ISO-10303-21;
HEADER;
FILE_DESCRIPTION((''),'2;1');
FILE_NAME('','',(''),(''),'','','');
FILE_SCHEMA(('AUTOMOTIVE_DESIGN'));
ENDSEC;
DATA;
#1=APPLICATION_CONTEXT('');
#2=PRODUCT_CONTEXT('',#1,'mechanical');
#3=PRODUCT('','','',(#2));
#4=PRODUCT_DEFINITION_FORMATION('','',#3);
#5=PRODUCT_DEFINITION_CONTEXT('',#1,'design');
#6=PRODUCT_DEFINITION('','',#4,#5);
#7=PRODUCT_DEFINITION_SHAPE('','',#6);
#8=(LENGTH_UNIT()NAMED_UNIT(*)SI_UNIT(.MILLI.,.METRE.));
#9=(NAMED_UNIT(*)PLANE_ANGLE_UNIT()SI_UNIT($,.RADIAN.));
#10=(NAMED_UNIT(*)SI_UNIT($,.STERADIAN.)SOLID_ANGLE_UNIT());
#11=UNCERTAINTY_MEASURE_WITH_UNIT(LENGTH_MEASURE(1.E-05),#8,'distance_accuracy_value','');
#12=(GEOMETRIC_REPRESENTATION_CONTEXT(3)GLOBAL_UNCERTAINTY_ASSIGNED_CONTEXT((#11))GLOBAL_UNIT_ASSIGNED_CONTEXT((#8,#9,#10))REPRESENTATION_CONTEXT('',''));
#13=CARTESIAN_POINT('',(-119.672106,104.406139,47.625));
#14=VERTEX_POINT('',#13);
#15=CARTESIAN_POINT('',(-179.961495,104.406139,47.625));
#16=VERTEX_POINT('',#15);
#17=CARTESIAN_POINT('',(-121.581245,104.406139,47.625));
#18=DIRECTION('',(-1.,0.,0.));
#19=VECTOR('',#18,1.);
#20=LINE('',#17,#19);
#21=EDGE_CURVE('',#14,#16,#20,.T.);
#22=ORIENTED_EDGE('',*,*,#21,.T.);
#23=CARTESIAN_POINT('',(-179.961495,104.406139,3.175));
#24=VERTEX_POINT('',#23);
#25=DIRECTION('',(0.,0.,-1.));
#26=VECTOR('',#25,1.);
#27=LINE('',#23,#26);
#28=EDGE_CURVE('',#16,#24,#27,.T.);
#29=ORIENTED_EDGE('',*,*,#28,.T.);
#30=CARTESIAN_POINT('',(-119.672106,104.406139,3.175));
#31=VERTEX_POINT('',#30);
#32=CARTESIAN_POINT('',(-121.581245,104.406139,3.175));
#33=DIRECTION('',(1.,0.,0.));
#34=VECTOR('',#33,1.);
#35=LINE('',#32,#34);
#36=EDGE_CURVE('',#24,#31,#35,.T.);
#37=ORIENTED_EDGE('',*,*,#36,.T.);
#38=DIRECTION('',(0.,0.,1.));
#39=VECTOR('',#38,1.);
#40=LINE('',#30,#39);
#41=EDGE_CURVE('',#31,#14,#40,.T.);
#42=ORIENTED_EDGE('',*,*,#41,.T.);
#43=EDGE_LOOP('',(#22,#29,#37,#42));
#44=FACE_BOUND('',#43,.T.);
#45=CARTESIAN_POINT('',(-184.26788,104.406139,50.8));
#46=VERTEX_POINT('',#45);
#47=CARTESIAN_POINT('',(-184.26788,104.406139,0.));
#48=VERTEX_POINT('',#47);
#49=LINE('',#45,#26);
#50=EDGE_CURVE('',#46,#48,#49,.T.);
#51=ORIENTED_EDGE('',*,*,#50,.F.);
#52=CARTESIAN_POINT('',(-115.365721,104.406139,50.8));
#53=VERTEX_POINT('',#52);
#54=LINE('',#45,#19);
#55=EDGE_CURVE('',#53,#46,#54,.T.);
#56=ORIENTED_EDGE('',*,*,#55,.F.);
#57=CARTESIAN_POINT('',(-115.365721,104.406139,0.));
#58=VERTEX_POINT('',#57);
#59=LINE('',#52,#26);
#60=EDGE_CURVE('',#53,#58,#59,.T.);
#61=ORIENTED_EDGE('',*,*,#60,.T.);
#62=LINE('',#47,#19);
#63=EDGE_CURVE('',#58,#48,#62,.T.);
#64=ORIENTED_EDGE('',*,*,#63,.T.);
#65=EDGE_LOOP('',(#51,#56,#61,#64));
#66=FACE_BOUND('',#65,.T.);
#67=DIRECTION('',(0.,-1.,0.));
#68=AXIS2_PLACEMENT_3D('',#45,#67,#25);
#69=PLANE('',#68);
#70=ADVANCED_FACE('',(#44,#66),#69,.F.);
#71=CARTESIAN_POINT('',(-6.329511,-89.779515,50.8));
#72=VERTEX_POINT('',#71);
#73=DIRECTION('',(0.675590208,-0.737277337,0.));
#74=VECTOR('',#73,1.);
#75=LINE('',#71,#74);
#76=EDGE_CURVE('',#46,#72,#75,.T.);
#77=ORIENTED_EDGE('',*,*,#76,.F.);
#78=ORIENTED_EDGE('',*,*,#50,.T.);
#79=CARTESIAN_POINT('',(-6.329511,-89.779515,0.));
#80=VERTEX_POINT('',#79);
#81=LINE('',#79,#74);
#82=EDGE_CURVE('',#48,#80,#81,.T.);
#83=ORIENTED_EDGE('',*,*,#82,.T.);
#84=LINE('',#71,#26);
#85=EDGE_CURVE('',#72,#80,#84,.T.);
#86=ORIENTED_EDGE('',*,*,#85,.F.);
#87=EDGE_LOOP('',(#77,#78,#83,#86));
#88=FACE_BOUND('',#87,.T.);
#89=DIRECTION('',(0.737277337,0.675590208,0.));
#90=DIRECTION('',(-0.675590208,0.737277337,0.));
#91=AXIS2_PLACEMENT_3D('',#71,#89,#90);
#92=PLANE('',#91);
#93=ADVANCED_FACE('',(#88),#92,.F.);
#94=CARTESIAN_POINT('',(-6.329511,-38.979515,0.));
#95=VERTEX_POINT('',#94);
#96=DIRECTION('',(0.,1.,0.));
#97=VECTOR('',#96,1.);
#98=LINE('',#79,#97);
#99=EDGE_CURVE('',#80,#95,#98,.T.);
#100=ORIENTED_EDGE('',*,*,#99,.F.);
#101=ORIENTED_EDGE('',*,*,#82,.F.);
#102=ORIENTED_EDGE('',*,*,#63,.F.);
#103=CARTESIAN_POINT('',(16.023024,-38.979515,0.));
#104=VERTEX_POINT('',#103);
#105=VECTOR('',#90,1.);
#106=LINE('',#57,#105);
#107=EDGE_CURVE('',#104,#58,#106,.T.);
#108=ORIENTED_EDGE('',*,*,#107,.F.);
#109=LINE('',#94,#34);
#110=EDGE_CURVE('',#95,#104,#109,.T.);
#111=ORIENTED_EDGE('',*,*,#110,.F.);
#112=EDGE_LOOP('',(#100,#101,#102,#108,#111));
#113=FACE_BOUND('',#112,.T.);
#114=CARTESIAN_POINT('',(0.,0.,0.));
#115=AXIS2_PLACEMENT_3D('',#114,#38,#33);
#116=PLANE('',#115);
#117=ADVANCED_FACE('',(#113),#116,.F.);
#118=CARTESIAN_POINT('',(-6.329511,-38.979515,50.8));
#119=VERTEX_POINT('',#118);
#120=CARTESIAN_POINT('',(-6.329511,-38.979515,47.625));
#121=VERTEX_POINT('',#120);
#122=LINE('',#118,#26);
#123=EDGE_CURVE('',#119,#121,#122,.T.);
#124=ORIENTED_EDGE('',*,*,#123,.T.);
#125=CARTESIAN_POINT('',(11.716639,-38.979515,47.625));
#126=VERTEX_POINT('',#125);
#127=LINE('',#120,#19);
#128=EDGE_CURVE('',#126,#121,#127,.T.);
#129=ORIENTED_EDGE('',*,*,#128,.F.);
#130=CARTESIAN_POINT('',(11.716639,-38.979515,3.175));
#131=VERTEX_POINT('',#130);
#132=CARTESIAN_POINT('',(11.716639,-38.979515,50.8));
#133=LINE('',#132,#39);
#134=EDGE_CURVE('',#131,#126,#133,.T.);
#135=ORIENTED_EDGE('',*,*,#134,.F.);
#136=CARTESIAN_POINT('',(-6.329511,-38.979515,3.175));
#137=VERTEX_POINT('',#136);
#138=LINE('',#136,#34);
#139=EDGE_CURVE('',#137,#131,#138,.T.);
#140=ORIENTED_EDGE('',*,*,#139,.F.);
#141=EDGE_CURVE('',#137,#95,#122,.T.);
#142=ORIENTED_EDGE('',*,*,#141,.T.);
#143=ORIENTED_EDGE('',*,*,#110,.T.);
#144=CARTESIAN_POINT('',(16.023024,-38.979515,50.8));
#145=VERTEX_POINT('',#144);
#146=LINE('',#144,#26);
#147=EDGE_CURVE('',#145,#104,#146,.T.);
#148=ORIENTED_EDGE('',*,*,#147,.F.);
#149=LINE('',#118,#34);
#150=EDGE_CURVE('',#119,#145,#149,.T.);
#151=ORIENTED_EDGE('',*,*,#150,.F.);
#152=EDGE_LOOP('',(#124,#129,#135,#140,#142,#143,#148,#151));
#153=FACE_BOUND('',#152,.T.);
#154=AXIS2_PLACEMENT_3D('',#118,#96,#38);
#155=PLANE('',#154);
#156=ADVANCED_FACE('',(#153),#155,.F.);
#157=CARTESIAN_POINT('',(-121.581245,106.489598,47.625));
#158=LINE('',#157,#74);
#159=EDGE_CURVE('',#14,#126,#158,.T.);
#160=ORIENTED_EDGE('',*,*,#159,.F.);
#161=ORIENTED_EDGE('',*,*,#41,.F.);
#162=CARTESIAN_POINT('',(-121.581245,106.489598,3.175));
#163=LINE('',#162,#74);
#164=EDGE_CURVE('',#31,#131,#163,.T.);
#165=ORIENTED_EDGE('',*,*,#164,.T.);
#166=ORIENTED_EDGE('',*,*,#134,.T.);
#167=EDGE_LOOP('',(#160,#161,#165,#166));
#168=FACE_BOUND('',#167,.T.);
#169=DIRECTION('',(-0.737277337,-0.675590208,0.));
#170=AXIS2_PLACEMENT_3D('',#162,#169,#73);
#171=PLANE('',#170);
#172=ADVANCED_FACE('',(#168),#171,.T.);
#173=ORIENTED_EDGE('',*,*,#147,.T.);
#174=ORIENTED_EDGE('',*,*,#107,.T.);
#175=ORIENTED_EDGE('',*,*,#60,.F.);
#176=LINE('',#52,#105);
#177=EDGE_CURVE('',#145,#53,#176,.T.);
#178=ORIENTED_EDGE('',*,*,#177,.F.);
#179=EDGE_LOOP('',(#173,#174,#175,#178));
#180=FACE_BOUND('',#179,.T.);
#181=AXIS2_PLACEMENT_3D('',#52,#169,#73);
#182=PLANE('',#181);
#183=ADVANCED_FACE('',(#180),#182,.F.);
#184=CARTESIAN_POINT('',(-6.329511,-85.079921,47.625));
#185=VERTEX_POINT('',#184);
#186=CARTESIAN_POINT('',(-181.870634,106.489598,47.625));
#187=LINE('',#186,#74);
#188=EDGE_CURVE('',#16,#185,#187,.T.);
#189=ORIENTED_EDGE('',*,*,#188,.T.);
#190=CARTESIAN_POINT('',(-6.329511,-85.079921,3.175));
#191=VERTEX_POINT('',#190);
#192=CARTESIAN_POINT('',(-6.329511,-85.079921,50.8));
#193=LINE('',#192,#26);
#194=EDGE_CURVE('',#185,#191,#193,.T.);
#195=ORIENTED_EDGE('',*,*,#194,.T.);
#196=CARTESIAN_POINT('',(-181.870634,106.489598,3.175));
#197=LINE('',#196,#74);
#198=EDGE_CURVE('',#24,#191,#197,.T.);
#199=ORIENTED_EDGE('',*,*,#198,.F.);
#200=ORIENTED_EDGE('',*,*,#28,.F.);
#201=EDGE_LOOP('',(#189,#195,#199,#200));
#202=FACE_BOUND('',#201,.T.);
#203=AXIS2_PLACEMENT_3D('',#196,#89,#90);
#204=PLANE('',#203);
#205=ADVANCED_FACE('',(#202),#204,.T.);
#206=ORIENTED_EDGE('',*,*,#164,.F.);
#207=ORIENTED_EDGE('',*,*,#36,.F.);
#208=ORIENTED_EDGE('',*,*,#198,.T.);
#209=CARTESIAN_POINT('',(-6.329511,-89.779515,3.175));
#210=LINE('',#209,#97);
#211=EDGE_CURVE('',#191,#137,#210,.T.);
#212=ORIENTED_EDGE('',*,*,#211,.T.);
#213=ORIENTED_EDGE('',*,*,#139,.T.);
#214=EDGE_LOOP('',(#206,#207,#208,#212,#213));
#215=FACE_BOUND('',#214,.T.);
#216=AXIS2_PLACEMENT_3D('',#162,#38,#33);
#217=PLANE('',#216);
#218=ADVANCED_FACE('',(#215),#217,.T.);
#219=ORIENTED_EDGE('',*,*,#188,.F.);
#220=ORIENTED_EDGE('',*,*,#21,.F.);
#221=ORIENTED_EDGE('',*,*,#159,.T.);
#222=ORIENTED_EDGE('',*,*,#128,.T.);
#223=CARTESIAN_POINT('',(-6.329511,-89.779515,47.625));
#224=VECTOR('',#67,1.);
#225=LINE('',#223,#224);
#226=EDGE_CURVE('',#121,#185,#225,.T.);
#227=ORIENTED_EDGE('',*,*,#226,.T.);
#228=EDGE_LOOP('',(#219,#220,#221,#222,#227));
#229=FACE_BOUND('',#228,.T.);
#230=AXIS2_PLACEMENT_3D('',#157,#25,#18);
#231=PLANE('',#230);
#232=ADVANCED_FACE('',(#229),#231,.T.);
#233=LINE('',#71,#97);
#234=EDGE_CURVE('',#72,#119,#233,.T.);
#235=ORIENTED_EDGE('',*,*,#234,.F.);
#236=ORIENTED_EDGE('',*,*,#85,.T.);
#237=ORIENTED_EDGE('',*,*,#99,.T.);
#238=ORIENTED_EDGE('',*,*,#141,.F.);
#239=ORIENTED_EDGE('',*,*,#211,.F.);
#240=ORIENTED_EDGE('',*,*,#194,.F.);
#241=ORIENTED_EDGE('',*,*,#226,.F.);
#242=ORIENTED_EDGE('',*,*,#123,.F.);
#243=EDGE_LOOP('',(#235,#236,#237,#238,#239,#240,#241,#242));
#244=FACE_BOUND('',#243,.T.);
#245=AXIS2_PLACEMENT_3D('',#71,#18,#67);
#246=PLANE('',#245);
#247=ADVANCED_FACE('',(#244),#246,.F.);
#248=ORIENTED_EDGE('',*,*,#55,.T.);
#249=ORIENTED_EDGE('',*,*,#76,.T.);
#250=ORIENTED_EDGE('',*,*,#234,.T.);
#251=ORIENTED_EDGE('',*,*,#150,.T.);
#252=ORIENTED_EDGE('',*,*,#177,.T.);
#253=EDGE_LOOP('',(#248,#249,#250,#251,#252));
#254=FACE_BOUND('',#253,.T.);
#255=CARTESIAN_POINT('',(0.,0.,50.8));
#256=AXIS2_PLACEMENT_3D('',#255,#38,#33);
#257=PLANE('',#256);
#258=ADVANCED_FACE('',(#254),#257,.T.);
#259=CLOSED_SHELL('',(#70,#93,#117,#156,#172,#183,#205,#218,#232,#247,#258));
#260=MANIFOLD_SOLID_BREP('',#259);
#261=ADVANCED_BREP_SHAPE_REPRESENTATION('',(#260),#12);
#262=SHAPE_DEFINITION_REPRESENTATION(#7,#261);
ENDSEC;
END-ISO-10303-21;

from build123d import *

# Parameters (mm, degrees)
BOSS_EXTRUDE1_DEPTH = 50.8
SKETCH14_W          = 60.289388783
SKETCH14_H          = 44.45


with BuildPart() as part:
    # Sketch1 → Boss-Extrude1 (new body)
    with BuildSketch(Plane.XY):
        Polygon((-6.329511048, -89.779515299), (-184.2678796, 104.406138968), (-115.365720991, 104.406138968), (16.023023921, -38.979515299), (-6.329511048, -38.979515299), align=None)
    extrude(amount=BOSS_EXTRUDE1_DEPTH)

    # Cut-Sweep1: sweep along a path in Sketch13
    with BuildLine(Plane.XY.offset(25.4)) as cut_sweep1_path:
        Line((-149.816800296, 104.406138968), (41.274977184, -104.133942279))
    # Sketch14 → Cut-Sweep1 (sweep, cut)
    with BuildSketch(Plane(origin=(0, 104.406138968, 0), x_dir=(1, 0, 0), z_dir=(0, 1, 0))):
        with Locations((-149.816800296, -25.4)):
            Rectangle(SKETCH14_W, SKETCH14_H)
    sweep(path=cut_sweep1_path.line, mode=Mode.SUBTRACT)


solid = part.part
